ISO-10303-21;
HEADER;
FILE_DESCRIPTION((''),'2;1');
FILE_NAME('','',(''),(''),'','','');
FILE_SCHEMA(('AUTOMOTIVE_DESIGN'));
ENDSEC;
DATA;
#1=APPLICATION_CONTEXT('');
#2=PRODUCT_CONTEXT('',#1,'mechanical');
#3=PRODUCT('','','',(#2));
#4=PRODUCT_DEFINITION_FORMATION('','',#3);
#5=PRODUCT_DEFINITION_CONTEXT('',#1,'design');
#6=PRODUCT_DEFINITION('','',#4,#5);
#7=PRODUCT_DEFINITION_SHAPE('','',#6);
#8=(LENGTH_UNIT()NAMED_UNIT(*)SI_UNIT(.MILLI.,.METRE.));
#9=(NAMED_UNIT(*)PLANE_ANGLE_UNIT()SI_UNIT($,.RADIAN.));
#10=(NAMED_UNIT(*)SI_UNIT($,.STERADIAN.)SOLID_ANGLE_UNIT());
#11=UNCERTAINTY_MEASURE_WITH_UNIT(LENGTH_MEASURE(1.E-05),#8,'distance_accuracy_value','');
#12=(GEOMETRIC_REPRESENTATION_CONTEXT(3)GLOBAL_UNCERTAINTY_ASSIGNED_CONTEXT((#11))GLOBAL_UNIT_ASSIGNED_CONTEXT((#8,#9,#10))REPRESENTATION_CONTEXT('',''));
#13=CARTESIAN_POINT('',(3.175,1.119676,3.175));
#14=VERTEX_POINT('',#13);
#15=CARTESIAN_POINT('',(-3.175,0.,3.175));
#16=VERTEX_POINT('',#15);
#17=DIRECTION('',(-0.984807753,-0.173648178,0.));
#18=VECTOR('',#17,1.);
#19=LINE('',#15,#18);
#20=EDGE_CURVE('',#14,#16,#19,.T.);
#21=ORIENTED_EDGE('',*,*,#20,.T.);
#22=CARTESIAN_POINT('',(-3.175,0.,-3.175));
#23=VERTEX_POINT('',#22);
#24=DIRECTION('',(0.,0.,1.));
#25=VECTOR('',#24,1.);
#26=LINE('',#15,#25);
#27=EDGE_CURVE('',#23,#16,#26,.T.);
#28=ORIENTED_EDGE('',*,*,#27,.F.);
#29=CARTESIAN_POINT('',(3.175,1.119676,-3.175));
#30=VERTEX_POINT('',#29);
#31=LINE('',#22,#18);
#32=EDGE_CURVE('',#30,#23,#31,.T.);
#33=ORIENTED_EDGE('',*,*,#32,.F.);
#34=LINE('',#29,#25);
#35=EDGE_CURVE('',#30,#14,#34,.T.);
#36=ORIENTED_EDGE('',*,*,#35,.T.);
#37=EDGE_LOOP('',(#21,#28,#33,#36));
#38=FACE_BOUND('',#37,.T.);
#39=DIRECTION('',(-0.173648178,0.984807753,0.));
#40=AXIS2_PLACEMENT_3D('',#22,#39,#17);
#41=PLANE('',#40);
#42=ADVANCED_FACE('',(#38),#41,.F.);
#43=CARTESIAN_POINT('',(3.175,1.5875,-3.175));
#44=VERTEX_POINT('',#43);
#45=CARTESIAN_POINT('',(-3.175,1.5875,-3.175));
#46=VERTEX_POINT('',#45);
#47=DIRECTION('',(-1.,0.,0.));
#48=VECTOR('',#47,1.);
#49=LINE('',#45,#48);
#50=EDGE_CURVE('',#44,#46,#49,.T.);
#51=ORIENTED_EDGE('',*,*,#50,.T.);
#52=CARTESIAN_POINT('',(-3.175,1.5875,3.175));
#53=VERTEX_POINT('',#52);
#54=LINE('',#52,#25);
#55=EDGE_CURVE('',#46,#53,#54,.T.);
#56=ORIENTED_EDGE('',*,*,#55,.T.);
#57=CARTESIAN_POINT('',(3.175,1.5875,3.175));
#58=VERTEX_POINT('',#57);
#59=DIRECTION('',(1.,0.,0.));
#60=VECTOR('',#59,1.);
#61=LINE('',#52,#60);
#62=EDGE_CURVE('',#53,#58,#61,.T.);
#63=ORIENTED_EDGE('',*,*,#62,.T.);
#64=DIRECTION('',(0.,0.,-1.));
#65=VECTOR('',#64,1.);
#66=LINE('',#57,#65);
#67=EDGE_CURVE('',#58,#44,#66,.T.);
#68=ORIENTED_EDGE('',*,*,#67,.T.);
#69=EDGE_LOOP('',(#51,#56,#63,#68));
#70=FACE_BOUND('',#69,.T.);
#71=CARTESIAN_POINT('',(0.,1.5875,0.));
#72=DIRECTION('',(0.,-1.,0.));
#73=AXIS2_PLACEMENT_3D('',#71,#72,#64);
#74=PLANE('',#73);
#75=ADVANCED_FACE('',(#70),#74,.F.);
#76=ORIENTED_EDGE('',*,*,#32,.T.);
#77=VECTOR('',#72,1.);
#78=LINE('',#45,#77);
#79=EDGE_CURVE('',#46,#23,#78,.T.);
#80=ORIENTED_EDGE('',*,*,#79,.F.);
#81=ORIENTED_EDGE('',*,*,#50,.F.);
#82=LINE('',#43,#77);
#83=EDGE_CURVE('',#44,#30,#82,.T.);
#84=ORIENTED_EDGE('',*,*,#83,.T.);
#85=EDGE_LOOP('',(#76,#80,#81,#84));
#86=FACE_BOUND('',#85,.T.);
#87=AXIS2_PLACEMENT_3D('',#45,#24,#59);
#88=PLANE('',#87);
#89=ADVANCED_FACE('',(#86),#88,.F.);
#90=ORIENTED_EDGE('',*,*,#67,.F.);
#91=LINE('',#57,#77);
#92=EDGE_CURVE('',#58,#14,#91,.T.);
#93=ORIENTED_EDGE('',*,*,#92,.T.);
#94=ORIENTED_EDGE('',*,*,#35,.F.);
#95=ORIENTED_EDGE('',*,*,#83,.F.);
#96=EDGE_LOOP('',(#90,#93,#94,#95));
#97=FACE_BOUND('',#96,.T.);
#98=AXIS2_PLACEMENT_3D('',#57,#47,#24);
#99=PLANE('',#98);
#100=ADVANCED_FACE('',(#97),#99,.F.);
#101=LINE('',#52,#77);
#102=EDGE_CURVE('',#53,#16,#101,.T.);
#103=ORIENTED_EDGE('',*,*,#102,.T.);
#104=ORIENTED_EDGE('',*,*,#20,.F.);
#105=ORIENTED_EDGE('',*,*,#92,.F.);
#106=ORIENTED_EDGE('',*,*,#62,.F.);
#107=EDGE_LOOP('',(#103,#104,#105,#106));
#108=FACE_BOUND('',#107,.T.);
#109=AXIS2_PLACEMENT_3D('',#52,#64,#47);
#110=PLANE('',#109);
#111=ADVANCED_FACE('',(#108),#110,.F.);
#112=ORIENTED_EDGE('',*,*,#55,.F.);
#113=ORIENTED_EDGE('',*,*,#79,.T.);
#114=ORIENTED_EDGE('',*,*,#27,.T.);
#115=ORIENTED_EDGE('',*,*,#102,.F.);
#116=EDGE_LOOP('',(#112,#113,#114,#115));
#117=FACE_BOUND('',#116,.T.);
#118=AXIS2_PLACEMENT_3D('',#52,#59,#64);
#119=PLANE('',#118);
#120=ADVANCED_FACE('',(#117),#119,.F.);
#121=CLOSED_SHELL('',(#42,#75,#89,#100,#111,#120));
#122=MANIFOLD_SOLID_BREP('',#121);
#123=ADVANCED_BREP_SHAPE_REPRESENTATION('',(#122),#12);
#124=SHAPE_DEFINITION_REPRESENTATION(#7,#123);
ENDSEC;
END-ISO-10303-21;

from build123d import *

# Parameters (mm, degrees)
SKETCH1_W           = 6.35
SKETCH1_H           = 6.35
BOSS_EXTRUDE1_DEPTH = 1.5875
CUT_EXTRUDE1_DEPTH  = 8.274838916


with BuildPart() as part:
    # Sketch1 → Boss-Extrude1 (new body)
    with BuildSketch(Plane(origin=(0, 0, 0), x_dir=(1, 0, 0), z_dir=(0, 1, 0))):
        Rectangle(SKETCH1_W, SKETCH1_H)
    extrude(amount=BOSS_EXTRUDE1_DEPTH)

    # Sketch2 → Cut-Extrude1 (cut, through all)
    with BuildSketch(Plane.XY.offset(3.175)):
        Polygon((-3.175, 0), (3.175, 1.119676327), (3.175, 0), align=None)
    extrude(amount=-CUT_EXTRUDE1_DEPTH, mode=Mode.SUBTRACT)


solid = part.part
